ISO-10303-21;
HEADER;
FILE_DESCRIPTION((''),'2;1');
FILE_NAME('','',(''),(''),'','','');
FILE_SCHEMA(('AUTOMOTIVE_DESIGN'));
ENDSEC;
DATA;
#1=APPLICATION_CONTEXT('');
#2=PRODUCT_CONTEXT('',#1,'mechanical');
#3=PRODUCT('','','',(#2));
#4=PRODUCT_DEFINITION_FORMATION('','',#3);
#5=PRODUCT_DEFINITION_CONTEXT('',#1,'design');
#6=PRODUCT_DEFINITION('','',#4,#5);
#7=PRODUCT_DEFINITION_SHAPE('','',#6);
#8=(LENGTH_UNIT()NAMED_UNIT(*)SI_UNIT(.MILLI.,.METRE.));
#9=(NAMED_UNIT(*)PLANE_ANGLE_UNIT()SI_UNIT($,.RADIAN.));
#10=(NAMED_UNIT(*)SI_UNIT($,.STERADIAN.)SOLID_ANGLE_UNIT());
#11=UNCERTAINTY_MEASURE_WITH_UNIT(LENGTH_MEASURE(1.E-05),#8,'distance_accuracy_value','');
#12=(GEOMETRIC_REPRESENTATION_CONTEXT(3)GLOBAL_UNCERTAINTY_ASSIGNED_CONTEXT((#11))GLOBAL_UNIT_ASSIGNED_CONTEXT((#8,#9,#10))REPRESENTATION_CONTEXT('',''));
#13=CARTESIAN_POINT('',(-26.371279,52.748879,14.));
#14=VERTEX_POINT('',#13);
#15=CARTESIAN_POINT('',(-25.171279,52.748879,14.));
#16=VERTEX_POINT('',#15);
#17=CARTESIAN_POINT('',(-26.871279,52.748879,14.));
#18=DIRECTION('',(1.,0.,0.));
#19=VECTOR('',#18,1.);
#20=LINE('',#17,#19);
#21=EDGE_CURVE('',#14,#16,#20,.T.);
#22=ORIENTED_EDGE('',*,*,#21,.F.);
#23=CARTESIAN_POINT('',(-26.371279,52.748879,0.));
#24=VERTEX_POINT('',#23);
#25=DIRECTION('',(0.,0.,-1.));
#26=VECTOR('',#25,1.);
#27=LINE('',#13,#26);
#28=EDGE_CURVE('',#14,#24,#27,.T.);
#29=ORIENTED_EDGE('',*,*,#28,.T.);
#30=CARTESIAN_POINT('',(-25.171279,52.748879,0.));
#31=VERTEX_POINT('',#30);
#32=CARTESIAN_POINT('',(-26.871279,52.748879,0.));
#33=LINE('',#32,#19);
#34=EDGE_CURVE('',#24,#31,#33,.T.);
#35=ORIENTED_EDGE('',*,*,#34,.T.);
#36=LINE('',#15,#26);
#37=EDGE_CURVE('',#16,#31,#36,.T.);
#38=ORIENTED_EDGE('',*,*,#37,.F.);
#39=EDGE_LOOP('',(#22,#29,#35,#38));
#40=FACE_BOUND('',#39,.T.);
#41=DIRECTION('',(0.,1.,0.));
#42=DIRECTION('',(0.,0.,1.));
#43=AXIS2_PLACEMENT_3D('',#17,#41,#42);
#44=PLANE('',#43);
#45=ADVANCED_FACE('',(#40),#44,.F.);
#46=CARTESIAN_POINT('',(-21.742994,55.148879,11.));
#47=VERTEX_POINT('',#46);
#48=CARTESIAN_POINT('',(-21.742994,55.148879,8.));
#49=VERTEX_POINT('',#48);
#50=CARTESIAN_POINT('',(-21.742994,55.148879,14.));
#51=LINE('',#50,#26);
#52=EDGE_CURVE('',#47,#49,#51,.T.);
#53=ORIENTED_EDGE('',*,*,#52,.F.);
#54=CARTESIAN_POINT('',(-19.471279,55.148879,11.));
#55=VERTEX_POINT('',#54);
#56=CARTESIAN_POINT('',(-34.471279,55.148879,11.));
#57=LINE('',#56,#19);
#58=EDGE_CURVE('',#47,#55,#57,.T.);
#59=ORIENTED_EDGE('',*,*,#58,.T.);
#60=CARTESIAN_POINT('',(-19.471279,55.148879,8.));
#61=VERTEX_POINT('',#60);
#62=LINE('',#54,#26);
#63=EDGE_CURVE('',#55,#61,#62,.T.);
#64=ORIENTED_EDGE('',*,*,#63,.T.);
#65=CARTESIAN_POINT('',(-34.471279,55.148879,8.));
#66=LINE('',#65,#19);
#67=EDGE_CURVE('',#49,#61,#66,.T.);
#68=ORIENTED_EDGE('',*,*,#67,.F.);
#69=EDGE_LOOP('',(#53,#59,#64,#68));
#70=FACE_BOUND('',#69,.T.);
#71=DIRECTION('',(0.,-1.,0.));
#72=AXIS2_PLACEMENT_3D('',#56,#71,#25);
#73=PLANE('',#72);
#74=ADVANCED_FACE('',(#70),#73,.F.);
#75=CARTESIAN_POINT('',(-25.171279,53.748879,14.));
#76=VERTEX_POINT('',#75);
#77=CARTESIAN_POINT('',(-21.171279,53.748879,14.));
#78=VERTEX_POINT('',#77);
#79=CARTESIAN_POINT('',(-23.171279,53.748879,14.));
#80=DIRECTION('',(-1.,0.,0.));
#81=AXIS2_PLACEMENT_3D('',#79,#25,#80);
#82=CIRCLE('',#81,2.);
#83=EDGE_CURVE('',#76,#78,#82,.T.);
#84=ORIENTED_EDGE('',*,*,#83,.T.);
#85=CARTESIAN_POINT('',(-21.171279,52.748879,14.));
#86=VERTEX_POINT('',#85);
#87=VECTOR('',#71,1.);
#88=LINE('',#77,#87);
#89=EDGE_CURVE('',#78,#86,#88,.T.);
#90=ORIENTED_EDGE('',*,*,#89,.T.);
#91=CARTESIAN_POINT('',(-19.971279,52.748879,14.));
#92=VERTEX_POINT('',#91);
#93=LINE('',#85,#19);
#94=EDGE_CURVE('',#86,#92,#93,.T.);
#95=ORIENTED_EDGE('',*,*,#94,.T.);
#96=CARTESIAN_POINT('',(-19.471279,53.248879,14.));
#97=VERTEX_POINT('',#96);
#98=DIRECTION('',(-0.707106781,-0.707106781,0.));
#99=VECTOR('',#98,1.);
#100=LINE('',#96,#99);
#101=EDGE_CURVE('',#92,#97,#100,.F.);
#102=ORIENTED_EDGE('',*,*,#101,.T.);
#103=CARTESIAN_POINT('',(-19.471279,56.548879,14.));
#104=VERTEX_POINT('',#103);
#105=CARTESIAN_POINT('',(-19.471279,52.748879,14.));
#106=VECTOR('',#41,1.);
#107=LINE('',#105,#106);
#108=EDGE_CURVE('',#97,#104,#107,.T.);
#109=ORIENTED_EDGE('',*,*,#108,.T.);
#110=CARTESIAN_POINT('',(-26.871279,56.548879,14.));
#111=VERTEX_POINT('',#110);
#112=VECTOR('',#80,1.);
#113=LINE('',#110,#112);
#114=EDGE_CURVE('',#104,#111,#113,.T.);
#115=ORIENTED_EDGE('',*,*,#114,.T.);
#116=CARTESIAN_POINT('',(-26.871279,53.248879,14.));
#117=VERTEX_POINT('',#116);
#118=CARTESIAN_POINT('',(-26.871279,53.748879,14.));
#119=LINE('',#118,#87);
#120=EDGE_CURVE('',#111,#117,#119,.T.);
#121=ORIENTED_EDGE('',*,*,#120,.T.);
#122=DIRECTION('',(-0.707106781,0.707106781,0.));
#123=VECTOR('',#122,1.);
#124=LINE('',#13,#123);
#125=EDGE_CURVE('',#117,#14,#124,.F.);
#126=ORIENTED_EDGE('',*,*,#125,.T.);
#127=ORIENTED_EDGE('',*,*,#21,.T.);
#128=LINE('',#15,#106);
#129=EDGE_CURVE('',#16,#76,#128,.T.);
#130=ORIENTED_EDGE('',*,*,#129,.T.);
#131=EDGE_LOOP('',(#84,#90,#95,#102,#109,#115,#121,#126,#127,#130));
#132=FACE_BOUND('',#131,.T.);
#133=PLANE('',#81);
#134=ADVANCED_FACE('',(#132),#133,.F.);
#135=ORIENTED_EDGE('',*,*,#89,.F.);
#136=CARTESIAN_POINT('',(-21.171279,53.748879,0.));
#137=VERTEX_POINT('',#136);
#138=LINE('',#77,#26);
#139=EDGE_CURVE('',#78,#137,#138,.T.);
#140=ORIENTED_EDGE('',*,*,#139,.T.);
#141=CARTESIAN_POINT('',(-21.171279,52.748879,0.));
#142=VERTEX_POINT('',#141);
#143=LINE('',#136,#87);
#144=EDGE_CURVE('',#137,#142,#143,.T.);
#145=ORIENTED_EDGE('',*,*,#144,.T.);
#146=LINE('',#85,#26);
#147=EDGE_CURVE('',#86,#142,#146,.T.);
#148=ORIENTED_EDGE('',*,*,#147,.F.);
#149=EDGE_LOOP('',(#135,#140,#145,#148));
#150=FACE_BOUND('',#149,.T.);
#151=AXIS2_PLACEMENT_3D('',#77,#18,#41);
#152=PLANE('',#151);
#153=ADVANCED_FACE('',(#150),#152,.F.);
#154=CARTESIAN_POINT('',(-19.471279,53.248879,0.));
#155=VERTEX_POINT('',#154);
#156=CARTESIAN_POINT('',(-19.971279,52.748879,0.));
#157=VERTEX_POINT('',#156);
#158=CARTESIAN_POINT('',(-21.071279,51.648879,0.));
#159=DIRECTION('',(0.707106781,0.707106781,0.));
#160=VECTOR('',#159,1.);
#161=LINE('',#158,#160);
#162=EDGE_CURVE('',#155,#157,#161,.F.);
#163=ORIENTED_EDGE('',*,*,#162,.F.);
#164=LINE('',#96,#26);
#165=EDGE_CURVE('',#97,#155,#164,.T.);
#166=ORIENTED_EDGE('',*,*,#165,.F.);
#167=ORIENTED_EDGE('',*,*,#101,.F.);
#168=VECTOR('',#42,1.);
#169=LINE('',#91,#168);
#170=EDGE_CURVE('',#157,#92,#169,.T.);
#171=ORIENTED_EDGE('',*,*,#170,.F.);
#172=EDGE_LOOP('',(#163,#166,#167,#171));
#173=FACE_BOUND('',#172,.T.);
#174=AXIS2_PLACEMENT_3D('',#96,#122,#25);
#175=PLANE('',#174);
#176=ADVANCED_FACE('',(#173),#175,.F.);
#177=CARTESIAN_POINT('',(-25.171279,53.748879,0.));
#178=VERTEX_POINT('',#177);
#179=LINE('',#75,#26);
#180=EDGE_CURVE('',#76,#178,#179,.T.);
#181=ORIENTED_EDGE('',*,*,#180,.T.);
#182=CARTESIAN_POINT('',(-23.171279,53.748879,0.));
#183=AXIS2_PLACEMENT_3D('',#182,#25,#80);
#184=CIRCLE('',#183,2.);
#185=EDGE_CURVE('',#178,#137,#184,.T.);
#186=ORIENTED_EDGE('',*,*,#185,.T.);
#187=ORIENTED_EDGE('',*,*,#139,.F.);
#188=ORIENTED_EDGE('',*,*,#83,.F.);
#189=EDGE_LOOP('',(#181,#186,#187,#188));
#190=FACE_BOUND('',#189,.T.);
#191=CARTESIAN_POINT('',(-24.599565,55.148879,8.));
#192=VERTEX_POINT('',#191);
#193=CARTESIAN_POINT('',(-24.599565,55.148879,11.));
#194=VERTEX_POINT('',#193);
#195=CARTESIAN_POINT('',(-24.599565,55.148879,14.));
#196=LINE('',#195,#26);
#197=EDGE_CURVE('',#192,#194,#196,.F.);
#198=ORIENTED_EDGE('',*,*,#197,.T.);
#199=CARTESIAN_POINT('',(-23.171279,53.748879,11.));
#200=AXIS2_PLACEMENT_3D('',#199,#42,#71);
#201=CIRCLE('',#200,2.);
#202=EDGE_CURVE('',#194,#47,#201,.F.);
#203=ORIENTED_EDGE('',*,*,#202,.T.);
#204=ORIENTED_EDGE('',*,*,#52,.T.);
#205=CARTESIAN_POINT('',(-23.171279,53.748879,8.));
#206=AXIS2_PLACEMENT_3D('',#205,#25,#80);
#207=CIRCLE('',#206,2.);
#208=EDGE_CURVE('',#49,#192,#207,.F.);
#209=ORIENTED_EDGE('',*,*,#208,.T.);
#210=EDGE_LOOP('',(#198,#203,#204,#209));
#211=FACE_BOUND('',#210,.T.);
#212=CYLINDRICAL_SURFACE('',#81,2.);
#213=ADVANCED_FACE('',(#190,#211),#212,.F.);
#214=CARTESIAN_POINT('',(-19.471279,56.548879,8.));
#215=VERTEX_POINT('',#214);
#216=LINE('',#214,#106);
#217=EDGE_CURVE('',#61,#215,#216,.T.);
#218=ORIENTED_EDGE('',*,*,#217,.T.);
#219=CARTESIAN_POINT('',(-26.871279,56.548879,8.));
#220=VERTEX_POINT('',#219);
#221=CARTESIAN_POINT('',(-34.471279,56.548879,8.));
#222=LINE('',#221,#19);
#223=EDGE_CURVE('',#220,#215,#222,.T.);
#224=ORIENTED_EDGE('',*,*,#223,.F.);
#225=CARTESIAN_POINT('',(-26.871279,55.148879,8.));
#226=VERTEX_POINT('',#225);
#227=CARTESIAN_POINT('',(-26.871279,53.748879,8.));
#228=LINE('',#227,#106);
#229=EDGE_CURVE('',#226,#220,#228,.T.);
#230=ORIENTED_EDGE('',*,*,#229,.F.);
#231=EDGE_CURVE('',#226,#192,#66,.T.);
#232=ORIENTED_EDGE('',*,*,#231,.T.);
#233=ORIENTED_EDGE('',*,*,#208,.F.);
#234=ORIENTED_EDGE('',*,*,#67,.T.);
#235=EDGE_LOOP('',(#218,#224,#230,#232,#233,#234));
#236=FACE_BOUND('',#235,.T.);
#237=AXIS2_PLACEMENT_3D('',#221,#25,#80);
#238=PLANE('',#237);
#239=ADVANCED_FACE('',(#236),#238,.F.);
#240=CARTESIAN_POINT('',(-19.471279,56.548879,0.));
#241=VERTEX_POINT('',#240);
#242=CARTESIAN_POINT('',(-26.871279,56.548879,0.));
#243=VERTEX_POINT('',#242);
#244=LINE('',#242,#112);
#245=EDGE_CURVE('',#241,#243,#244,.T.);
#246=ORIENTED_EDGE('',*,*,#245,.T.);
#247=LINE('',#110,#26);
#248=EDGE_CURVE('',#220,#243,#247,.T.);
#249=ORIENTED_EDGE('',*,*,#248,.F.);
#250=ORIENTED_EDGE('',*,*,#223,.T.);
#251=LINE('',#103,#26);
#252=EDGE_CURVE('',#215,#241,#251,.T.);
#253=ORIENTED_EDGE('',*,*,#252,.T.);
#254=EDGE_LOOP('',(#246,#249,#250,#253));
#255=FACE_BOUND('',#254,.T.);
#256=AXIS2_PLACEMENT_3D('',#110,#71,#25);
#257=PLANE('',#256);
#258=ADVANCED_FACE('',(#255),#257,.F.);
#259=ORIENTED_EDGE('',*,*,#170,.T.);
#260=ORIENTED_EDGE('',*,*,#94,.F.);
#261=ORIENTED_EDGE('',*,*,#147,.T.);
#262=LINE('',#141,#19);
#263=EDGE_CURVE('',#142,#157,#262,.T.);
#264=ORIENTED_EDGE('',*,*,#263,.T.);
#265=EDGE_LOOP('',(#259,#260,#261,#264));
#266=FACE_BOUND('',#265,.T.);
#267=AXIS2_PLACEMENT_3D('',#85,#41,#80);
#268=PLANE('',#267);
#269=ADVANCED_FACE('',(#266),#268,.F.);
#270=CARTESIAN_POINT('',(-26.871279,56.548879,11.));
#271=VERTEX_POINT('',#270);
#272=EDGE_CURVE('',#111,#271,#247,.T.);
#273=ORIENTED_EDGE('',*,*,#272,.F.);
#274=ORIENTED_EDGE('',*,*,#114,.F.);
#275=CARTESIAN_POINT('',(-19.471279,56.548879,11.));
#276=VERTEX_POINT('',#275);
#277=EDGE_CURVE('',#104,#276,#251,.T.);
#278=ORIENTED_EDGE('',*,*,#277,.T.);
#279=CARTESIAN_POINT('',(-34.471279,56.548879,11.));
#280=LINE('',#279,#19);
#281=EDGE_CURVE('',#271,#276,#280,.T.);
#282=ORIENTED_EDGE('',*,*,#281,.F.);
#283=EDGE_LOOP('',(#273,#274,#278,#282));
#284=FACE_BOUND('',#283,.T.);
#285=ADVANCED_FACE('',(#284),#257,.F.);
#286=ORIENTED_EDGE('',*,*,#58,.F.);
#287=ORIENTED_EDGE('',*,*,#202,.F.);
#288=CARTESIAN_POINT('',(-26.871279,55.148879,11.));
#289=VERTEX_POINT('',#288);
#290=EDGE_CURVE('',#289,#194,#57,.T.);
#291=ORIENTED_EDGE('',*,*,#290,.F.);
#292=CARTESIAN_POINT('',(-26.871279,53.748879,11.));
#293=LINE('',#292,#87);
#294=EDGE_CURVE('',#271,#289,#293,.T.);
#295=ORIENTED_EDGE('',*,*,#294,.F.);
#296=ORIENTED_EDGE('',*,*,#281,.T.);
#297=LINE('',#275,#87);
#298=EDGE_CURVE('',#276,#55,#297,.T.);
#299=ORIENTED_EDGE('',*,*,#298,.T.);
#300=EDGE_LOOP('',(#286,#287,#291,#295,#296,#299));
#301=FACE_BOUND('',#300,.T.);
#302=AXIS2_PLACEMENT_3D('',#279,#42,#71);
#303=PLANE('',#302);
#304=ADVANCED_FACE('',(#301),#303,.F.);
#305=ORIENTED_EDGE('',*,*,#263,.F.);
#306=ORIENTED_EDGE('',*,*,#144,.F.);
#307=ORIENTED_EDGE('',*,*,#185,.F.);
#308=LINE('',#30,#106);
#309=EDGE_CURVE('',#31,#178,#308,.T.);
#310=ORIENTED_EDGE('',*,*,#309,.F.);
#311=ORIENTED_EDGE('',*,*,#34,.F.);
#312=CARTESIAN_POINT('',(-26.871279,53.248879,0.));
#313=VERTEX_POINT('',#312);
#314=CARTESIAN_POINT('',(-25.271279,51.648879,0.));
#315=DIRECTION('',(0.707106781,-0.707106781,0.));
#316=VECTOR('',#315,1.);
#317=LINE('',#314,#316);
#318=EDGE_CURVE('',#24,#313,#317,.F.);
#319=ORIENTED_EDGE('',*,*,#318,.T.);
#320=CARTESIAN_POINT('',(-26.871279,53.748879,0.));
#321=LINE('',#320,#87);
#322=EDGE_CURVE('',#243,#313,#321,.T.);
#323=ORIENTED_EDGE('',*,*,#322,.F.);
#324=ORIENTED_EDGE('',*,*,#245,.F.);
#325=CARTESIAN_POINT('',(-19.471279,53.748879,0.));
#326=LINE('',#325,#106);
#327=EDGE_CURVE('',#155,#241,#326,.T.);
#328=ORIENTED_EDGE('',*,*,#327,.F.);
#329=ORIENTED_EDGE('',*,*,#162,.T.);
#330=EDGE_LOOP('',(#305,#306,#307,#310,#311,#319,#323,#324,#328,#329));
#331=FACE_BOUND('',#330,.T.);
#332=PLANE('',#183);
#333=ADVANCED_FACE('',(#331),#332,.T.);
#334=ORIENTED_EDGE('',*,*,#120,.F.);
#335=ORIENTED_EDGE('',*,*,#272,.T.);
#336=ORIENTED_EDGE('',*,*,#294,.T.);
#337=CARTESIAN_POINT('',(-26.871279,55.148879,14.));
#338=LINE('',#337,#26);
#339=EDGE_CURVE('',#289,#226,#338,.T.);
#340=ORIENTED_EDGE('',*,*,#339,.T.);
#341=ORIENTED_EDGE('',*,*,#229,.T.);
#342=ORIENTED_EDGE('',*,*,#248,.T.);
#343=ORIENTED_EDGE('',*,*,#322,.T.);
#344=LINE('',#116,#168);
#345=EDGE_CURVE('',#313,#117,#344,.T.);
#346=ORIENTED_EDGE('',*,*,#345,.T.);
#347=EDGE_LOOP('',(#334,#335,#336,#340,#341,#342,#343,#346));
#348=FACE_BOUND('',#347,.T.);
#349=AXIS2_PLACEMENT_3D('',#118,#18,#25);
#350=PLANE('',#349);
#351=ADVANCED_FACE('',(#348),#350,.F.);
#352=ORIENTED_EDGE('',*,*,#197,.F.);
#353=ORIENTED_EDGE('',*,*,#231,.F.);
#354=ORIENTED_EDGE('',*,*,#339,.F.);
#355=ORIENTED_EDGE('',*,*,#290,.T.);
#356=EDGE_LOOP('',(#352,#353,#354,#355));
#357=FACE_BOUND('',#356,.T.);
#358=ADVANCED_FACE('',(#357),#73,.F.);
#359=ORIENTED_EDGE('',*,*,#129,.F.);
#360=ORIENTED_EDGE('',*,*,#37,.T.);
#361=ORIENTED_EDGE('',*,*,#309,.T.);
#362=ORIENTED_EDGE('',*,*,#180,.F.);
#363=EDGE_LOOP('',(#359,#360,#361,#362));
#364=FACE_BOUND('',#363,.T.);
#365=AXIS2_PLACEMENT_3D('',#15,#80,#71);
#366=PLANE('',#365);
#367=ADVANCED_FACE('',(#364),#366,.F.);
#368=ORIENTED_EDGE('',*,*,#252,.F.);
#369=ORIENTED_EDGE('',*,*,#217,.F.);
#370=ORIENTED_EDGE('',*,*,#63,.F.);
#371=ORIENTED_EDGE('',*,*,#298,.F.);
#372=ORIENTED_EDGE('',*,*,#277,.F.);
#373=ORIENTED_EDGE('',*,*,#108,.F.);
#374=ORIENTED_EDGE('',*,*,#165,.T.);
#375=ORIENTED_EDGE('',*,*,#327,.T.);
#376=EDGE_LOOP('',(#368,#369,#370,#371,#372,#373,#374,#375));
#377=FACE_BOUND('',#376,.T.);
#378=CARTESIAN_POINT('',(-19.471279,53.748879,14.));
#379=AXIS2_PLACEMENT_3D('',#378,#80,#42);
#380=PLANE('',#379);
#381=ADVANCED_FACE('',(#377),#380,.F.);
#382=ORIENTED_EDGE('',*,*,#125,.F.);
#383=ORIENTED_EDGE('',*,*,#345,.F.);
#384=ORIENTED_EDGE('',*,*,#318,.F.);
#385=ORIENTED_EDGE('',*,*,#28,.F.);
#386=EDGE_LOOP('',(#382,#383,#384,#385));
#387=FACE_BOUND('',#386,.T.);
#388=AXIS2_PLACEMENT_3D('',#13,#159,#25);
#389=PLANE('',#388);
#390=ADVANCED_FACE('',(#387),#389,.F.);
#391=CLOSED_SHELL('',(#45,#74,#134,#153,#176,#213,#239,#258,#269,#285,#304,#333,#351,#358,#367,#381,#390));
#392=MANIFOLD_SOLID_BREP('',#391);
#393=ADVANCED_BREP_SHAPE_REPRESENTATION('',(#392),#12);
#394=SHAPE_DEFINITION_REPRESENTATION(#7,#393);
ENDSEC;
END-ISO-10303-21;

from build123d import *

# Parameters (mm, degrees)
BOSS_EXTRUDE1_DEPTH = 14
CHAMFER1_SIZE       = 0.5
SKETCH2_W           = 3
SKETCH2_H           = 1.4
CUT_EXTRUDE1_DEPTH  = 15


with BuildPart() as part:
    # Sketch1 → Boss-Extrude1 (new body)
    with BuildSketch(Plane.XY):
        with BuildLine():
            Line((-26.871279399, 53.748878842), (-26.871279399, 52.748878842))
            Line((-26.871279399, 52.748878842), (-25.171279399, 52.748878842))
            Line((-25.171279399, 52.748878842), (-25.171279399, 53.748878842))
            ThreePointArc((-25.171279399, 53.748878842), (-23.171279399, 55.748878842), (-21.171279399, 53.748878842))
            Line((-21.171279399, 53.748878842), (-21.171279399, 52.748878842))
            Line((-21.171279399, 52.748878842), (-19.471279399, 52.748878842))
            Line((-19.471279399, 52.748878842), (-19.471279399, 53.748878842))
            Line((-19.471279399, 53.748878842), (-19.471279399, 56.548878842))
            Line((-19.471279399, 56.548878842), (-26.871279399, 56.548878842))
            Line((-26.871279399, 56.548878842), (-26.871279399, 53.748878842))
        make_face()
    extrude(amount=BOSS_EXTRUDE1_DEPTH)

    # Chamfer1
    chamfer1_edges = [part.edges().sort_by_distance(p)[0] for p in [
        (-26.871279399, 52.748878842, 7),
        (-19.471279399, 52.748878842, 7),
    ]]
    chamfer(chamfer1_edges, length=CHAMFER1_SIZE)

    # Sketch2 → Cut-Extrude1 (cut)
    with BuildSketch(Plane(origin=(-19.471279399, 0, 0), x_dir=(0, 0, -1), z_dir=(1, 0, 0))):
        with Locations((-9.5, 55.848878842)):
            Rectangle(SKETCH2_W, SKETCH2_H)
    extrude(amount=-CUT_EXTRUDE1_DEPTH, mode=Mode.SUBTRACT)


solid = part.part
